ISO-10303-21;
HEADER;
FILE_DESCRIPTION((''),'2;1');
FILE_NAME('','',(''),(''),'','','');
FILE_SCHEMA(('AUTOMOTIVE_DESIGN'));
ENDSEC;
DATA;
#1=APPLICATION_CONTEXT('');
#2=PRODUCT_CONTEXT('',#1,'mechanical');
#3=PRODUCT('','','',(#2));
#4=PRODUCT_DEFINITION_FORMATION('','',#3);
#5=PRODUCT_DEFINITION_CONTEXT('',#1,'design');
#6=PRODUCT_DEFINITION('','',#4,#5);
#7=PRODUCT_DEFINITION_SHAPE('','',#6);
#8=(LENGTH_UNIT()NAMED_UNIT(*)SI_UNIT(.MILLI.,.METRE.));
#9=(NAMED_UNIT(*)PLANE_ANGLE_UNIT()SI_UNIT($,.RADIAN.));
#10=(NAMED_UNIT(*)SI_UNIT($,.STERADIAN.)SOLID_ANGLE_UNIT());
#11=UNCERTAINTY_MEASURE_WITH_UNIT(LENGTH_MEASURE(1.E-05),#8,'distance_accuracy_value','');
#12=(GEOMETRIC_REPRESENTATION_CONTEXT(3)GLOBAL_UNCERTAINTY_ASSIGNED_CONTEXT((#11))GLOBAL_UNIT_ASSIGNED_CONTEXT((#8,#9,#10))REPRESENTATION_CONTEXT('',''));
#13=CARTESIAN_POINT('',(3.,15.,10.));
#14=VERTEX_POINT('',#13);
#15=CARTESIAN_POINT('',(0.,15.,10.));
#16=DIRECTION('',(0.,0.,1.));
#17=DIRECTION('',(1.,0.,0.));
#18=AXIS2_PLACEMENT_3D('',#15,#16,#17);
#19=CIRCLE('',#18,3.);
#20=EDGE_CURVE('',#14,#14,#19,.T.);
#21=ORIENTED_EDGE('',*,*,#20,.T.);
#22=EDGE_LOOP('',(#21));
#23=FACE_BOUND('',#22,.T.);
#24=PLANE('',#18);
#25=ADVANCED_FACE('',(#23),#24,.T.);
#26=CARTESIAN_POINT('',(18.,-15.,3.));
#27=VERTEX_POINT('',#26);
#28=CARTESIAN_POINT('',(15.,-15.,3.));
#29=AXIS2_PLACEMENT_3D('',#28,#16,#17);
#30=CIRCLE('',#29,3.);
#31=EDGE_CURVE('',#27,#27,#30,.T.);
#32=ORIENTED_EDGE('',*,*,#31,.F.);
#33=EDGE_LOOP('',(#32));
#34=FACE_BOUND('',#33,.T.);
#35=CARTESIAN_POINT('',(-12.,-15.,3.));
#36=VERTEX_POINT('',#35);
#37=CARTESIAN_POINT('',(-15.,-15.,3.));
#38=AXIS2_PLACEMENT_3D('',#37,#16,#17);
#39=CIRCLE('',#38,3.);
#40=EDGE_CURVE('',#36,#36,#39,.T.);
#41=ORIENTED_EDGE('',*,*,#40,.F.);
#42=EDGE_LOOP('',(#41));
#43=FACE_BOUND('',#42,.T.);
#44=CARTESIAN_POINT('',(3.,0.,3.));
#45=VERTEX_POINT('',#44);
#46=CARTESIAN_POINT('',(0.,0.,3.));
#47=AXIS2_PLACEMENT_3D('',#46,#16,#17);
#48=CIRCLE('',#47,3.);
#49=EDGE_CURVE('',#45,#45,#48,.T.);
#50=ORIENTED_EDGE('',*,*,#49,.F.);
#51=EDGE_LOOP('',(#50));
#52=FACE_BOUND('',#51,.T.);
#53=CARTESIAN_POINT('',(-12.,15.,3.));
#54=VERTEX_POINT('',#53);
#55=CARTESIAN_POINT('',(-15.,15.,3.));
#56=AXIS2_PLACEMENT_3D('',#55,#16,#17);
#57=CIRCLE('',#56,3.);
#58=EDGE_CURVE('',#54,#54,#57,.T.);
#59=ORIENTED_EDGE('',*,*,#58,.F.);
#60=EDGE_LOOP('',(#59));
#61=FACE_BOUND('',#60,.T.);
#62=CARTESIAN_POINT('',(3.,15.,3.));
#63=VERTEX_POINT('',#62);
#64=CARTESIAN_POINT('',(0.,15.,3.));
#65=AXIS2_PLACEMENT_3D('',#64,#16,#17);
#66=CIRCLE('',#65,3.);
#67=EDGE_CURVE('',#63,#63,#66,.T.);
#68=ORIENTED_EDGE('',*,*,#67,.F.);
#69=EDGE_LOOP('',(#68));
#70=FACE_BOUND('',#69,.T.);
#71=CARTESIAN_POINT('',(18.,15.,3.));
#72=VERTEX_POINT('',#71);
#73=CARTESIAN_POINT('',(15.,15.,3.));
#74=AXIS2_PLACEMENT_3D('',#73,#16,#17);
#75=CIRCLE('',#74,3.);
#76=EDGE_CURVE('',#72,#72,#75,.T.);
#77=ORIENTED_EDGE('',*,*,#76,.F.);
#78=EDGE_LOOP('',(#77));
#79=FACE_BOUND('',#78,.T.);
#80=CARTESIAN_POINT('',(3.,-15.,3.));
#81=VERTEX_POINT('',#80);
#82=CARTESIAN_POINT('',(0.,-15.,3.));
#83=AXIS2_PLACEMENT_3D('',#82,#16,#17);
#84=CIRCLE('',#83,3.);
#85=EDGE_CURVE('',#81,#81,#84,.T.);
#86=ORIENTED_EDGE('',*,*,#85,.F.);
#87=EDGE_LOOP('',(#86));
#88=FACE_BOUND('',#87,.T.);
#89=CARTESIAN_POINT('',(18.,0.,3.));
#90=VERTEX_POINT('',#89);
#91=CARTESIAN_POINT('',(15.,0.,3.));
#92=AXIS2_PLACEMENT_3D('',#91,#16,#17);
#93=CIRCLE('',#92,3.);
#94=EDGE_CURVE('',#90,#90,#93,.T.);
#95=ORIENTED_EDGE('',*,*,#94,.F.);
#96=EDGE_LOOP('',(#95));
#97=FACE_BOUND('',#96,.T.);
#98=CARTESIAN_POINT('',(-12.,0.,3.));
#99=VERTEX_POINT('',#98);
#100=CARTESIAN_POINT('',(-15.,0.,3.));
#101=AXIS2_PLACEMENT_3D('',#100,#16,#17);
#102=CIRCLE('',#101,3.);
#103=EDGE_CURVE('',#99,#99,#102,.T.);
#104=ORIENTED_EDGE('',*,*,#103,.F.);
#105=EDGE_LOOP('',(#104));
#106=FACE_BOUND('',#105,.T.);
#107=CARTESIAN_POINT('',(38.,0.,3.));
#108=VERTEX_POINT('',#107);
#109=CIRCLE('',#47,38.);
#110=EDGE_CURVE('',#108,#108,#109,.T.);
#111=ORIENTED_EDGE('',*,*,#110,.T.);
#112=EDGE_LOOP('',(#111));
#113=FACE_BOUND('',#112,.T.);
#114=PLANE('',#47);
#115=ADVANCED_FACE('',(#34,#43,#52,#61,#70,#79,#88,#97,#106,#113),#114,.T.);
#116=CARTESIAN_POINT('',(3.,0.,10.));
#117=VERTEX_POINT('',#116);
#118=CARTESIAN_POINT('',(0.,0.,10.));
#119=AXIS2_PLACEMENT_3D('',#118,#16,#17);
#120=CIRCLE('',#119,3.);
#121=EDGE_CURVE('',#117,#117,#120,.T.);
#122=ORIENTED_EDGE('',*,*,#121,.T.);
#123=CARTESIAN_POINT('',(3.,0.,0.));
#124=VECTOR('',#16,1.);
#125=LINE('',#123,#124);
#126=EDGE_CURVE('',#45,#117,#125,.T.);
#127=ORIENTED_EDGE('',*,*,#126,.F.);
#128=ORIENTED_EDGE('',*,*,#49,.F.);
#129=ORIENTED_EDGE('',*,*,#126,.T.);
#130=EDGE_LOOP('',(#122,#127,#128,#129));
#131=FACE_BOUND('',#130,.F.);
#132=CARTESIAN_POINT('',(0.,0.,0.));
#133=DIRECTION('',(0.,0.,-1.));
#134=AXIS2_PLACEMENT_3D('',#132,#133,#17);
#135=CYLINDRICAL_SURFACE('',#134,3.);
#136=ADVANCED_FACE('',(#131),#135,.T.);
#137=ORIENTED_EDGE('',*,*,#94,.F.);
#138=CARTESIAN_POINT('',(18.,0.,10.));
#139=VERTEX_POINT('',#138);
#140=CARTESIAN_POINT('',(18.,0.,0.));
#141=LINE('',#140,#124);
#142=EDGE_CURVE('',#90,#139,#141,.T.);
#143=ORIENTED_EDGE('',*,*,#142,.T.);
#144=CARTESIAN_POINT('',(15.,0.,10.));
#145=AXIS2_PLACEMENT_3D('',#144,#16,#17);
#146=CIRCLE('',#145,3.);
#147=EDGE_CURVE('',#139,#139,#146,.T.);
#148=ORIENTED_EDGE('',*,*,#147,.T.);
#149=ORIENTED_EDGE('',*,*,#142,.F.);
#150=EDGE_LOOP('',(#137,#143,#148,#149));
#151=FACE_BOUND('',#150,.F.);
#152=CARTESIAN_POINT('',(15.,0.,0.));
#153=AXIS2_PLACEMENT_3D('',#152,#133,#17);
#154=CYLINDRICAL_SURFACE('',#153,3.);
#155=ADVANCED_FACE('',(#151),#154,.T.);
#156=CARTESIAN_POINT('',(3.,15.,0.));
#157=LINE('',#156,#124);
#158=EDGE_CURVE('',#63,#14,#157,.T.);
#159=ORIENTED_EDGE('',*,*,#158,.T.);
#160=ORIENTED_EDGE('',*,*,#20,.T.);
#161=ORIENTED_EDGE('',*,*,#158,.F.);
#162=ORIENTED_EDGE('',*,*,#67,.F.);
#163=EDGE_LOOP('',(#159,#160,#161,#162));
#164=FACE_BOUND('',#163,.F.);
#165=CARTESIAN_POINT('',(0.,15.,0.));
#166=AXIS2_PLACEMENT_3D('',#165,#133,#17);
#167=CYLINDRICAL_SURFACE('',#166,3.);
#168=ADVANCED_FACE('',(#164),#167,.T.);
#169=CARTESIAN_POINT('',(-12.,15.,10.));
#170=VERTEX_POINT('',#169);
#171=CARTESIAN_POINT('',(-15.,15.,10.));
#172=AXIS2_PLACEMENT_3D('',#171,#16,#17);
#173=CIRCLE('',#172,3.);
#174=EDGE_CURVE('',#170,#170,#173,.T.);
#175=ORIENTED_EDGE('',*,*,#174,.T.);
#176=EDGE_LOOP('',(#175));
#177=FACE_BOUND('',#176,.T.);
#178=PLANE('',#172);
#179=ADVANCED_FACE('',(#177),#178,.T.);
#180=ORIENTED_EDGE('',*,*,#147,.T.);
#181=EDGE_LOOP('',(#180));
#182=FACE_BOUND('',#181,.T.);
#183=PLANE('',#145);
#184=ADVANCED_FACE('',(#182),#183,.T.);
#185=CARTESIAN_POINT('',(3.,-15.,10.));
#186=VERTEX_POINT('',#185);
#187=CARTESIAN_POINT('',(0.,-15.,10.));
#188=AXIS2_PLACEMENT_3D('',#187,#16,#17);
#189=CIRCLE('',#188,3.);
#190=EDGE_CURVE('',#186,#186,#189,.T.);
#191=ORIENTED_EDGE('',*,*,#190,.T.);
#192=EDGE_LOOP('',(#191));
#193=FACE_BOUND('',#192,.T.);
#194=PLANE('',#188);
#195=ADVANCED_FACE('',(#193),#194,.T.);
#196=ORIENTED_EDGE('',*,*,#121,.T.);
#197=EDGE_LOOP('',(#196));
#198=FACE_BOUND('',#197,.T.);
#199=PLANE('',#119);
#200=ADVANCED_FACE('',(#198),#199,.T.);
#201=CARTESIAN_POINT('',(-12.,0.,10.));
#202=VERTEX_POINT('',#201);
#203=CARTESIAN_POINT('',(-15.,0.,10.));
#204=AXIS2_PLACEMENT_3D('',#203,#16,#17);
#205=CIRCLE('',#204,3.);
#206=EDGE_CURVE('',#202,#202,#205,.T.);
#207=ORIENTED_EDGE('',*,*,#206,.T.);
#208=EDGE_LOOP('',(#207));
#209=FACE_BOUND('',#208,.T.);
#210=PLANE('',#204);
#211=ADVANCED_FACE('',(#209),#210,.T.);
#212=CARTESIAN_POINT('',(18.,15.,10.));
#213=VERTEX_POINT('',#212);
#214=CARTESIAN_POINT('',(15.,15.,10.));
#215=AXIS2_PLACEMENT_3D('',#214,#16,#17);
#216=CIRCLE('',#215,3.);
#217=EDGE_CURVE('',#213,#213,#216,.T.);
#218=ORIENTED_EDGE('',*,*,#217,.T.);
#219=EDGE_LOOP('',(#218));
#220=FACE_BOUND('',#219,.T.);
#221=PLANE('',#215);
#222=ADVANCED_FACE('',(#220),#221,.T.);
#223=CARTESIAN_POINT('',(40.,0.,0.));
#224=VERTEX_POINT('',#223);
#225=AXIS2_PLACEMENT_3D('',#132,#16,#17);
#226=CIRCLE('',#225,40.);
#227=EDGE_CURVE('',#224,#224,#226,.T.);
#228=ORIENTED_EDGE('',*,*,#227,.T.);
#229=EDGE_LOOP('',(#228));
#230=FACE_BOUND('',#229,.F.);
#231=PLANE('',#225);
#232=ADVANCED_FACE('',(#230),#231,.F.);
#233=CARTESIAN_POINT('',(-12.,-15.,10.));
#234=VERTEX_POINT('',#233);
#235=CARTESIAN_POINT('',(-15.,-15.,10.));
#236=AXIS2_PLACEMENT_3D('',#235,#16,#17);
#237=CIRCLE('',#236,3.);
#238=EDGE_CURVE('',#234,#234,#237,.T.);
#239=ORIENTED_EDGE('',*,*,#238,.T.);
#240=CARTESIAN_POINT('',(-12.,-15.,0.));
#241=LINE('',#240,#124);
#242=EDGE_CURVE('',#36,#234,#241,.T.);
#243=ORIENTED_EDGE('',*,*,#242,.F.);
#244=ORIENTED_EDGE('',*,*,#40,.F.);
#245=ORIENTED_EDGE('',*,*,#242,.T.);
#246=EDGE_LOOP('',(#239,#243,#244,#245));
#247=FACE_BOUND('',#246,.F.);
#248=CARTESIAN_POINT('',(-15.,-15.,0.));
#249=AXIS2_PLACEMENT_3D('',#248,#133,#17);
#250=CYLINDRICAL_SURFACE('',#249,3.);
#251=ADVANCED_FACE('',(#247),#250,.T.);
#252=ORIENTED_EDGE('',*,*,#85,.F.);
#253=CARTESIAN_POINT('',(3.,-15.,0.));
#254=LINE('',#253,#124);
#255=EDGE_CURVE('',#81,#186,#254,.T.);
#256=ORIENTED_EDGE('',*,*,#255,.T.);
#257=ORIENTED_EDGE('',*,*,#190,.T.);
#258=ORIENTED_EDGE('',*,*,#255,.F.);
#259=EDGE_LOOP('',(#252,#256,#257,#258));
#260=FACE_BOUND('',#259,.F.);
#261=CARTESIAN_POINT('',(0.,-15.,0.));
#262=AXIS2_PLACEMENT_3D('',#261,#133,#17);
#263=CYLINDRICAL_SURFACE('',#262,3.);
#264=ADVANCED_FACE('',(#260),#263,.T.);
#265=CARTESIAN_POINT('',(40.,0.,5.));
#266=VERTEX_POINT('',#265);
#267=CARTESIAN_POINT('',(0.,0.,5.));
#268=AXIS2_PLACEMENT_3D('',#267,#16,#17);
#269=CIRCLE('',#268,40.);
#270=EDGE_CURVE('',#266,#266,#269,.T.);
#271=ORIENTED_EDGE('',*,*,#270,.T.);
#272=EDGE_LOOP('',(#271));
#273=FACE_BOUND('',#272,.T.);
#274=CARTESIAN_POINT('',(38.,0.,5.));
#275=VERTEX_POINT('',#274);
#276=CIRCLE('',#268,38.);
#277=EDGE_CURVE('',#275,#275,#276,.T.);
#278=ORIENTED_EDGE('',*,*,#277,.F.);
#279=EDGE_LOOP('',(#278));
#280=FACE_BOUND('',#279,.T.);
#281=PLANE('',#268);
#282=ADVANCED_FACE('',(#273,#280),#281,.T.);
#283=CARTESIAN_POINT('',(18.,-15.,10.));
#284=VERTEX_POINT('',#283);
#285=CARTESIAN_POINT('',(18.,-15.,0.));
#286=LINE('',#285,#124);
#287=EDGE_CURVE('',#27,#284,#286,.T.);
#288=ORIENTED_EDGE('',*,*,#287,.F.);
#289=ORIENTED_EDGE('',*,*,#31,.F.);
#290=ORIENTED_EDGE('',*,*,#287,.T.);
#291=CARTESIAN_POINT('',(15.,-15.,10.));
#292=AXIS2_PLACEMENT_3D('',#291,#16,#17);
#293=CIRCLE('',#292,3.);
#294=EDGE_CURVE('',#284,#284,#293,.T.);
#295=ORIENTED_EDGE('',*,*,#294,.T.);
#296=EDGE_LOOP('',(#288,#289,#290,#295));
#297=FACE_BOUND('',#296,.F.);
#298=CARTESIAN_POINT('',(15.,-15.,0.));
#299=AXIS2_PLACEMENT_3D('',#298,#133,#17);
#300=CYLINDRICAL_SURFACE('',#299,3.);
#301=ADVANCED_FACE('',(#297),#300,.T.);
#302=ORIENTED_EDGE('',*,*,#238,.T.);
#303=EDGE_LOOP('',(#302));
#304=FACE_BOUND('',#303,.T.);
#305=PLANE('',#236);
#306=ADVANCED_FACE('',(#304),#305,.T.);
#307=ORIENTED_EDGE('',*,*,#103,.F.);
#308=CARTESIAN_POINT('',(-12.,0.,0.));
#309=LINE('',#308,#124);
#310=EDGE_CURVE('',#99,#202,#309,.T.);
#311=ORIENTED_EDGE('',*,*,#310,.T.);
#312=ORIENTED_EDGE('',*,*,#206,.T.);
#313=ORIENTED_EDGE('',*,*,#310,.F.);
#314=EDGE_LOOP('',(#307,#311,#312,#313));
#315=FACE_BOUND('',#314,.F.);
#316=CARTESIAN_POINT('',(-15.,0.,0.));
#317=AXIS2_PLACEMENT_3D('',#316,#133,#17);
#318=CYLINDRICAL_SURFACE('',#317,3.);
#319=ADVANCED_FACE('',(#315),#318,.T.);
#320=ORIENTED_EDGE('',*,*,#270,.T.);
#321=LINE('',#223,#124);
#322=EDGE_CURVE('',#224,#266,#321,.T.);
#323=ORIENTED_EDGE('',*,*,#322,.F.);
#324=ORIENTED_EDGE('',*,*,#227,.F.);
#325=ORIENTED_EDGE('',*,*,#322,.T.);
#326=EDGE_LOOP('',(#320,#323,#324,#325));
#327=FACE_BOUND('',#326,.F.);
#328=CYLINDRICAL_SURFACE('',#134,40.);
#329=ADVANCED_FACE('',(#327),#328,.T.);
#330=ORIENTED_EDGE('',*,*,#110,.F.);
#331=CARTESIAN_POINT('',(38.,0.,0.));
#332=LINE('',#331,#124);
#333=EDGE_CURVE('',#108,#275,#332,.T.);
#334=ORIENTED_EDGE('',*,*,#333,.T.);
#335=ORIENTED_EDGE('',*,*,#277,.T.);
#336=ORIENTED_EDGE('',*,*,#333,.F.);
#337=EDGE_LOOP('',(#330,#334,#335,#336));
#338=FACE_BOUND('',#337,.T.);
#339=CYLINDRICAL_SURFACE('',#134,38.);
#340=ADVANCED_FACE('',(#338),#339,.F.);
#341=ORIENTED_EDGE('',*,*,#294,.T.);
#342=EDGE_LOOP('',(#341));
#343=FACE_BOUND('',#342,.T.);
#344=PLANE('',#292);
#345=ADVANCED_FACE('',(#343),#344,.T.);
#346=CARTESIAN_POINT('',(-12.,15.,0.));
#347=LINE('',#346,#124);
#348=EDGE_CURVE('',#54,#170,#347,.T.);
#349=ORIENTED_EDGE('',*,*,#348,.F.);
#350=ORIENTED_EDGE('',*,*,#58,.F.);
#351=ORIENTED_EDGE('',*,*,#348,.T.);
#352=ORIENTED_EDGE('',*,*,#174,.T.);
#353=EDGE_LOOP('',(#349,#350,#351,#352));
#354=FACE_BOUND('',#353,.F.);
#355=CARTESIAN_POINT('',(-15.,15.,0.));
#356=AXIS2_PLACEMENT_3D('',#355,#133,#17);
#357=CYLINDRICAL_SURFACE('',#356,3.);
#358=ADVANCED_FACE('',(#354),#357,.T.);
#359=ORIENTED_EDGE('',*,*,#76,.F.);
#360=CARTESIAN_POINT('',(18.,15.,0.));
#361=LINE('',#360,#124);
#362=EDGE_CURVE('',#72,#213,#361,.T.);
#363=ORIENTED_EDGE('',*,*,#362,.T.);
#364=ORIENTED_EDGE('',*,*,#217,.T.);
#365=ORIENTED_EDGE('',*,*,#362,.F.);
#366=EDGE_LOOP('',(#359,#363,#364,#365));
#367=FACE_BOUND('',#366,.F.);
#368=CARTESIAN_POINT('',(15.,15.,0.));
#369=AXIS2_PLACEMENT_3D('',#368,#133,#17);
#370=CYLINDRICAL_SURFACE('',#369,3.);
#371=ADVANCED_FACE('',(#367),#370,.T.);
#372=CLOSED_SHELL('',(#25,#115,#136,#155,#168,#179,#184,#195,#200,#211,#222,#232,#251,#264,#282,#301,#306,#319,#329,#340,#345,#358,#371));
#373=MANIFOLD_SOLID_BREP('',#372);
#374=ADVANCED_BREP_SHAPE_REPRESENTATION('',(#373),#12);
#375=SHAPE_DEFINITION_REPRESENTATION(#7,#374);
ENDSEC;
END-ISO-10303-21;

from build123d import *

# Parameters (mm, degrees)
F0_R     = 38
F0_R_2   = 3
F1_DEPTH = 3
F2_DEPTH = 10
F0_R_3   = 40
F3_DEPTH = 5


with BuildPart() as f1:
    # F0 (on Top) → F1 (new body)
    with BuildSketch(Plane.XY):
        Circle(F0_R)
        with Locations((-15, -15)):
            Circle(F0_R_2, mode=Mode.SUBTRACT)
        with Locations((0, -15)):
            Circle(F0_R_2, mode=Mode.SUBTRACT)
        with Locations((15, -15)):
            Circle(F0_R_2, mode=Mode.SUBTRACT)
        with Locations((-15, 0)):
            Circle(F0_R_2, mode=Mode.SUBTRACT)
        with Locations((-15, 15)):
            Circle(F0_R_2, mode=Mode.SUBTRACT)
        Circle(F0_R_2, mode=Mode.SUBTRACT)
        with Locations((15, 0)):
            Circle(F0_R_2, mode=Mode.SUBTRACT)
        with Locations((0, 15)):
            Circle(F0_R_2, mode=Mode.SUBTRACT)
        with Locations((15, 15)):
            Circle(F0_R_2, mode=Mode.SUBTRACT)
    extrude(amount=F1_DEPTH)

    # F0 (on Top) → F2 (join)
    with BuildSketch(Plane.XY):
        with Locations((0, 15)):
            Circle(F0_R_2)
        with Locations((-15, 0)):
            Circle(F0_R_2)
        with Locations((0, -15)):
            Circle(F0_R_2)
        with Locations((15, 0)):
            Circle(F0_R_2)
        with Locations((-15, 15)):
            Circle(F0_R_2)
        with Locations((15, 15)):
            Circle(F0_R_2)
        with Locations((15, -15)):
            Circle(F0_R_2)
        Circle(F0_R_2)
        with Locations((-15, -15)):
            Circle(F0_R_2)
    extrude(amount=F2_DEPTH)

    # F0 (on Top) → F3 (join)
    with BuildSketch(Plane.XY):
        Circle(F0_R_3)
        Circle(F0_R, mode=Mode.SUBTRACT)
    extrude(amount=F3_DEPTH)


solid = f1.part
